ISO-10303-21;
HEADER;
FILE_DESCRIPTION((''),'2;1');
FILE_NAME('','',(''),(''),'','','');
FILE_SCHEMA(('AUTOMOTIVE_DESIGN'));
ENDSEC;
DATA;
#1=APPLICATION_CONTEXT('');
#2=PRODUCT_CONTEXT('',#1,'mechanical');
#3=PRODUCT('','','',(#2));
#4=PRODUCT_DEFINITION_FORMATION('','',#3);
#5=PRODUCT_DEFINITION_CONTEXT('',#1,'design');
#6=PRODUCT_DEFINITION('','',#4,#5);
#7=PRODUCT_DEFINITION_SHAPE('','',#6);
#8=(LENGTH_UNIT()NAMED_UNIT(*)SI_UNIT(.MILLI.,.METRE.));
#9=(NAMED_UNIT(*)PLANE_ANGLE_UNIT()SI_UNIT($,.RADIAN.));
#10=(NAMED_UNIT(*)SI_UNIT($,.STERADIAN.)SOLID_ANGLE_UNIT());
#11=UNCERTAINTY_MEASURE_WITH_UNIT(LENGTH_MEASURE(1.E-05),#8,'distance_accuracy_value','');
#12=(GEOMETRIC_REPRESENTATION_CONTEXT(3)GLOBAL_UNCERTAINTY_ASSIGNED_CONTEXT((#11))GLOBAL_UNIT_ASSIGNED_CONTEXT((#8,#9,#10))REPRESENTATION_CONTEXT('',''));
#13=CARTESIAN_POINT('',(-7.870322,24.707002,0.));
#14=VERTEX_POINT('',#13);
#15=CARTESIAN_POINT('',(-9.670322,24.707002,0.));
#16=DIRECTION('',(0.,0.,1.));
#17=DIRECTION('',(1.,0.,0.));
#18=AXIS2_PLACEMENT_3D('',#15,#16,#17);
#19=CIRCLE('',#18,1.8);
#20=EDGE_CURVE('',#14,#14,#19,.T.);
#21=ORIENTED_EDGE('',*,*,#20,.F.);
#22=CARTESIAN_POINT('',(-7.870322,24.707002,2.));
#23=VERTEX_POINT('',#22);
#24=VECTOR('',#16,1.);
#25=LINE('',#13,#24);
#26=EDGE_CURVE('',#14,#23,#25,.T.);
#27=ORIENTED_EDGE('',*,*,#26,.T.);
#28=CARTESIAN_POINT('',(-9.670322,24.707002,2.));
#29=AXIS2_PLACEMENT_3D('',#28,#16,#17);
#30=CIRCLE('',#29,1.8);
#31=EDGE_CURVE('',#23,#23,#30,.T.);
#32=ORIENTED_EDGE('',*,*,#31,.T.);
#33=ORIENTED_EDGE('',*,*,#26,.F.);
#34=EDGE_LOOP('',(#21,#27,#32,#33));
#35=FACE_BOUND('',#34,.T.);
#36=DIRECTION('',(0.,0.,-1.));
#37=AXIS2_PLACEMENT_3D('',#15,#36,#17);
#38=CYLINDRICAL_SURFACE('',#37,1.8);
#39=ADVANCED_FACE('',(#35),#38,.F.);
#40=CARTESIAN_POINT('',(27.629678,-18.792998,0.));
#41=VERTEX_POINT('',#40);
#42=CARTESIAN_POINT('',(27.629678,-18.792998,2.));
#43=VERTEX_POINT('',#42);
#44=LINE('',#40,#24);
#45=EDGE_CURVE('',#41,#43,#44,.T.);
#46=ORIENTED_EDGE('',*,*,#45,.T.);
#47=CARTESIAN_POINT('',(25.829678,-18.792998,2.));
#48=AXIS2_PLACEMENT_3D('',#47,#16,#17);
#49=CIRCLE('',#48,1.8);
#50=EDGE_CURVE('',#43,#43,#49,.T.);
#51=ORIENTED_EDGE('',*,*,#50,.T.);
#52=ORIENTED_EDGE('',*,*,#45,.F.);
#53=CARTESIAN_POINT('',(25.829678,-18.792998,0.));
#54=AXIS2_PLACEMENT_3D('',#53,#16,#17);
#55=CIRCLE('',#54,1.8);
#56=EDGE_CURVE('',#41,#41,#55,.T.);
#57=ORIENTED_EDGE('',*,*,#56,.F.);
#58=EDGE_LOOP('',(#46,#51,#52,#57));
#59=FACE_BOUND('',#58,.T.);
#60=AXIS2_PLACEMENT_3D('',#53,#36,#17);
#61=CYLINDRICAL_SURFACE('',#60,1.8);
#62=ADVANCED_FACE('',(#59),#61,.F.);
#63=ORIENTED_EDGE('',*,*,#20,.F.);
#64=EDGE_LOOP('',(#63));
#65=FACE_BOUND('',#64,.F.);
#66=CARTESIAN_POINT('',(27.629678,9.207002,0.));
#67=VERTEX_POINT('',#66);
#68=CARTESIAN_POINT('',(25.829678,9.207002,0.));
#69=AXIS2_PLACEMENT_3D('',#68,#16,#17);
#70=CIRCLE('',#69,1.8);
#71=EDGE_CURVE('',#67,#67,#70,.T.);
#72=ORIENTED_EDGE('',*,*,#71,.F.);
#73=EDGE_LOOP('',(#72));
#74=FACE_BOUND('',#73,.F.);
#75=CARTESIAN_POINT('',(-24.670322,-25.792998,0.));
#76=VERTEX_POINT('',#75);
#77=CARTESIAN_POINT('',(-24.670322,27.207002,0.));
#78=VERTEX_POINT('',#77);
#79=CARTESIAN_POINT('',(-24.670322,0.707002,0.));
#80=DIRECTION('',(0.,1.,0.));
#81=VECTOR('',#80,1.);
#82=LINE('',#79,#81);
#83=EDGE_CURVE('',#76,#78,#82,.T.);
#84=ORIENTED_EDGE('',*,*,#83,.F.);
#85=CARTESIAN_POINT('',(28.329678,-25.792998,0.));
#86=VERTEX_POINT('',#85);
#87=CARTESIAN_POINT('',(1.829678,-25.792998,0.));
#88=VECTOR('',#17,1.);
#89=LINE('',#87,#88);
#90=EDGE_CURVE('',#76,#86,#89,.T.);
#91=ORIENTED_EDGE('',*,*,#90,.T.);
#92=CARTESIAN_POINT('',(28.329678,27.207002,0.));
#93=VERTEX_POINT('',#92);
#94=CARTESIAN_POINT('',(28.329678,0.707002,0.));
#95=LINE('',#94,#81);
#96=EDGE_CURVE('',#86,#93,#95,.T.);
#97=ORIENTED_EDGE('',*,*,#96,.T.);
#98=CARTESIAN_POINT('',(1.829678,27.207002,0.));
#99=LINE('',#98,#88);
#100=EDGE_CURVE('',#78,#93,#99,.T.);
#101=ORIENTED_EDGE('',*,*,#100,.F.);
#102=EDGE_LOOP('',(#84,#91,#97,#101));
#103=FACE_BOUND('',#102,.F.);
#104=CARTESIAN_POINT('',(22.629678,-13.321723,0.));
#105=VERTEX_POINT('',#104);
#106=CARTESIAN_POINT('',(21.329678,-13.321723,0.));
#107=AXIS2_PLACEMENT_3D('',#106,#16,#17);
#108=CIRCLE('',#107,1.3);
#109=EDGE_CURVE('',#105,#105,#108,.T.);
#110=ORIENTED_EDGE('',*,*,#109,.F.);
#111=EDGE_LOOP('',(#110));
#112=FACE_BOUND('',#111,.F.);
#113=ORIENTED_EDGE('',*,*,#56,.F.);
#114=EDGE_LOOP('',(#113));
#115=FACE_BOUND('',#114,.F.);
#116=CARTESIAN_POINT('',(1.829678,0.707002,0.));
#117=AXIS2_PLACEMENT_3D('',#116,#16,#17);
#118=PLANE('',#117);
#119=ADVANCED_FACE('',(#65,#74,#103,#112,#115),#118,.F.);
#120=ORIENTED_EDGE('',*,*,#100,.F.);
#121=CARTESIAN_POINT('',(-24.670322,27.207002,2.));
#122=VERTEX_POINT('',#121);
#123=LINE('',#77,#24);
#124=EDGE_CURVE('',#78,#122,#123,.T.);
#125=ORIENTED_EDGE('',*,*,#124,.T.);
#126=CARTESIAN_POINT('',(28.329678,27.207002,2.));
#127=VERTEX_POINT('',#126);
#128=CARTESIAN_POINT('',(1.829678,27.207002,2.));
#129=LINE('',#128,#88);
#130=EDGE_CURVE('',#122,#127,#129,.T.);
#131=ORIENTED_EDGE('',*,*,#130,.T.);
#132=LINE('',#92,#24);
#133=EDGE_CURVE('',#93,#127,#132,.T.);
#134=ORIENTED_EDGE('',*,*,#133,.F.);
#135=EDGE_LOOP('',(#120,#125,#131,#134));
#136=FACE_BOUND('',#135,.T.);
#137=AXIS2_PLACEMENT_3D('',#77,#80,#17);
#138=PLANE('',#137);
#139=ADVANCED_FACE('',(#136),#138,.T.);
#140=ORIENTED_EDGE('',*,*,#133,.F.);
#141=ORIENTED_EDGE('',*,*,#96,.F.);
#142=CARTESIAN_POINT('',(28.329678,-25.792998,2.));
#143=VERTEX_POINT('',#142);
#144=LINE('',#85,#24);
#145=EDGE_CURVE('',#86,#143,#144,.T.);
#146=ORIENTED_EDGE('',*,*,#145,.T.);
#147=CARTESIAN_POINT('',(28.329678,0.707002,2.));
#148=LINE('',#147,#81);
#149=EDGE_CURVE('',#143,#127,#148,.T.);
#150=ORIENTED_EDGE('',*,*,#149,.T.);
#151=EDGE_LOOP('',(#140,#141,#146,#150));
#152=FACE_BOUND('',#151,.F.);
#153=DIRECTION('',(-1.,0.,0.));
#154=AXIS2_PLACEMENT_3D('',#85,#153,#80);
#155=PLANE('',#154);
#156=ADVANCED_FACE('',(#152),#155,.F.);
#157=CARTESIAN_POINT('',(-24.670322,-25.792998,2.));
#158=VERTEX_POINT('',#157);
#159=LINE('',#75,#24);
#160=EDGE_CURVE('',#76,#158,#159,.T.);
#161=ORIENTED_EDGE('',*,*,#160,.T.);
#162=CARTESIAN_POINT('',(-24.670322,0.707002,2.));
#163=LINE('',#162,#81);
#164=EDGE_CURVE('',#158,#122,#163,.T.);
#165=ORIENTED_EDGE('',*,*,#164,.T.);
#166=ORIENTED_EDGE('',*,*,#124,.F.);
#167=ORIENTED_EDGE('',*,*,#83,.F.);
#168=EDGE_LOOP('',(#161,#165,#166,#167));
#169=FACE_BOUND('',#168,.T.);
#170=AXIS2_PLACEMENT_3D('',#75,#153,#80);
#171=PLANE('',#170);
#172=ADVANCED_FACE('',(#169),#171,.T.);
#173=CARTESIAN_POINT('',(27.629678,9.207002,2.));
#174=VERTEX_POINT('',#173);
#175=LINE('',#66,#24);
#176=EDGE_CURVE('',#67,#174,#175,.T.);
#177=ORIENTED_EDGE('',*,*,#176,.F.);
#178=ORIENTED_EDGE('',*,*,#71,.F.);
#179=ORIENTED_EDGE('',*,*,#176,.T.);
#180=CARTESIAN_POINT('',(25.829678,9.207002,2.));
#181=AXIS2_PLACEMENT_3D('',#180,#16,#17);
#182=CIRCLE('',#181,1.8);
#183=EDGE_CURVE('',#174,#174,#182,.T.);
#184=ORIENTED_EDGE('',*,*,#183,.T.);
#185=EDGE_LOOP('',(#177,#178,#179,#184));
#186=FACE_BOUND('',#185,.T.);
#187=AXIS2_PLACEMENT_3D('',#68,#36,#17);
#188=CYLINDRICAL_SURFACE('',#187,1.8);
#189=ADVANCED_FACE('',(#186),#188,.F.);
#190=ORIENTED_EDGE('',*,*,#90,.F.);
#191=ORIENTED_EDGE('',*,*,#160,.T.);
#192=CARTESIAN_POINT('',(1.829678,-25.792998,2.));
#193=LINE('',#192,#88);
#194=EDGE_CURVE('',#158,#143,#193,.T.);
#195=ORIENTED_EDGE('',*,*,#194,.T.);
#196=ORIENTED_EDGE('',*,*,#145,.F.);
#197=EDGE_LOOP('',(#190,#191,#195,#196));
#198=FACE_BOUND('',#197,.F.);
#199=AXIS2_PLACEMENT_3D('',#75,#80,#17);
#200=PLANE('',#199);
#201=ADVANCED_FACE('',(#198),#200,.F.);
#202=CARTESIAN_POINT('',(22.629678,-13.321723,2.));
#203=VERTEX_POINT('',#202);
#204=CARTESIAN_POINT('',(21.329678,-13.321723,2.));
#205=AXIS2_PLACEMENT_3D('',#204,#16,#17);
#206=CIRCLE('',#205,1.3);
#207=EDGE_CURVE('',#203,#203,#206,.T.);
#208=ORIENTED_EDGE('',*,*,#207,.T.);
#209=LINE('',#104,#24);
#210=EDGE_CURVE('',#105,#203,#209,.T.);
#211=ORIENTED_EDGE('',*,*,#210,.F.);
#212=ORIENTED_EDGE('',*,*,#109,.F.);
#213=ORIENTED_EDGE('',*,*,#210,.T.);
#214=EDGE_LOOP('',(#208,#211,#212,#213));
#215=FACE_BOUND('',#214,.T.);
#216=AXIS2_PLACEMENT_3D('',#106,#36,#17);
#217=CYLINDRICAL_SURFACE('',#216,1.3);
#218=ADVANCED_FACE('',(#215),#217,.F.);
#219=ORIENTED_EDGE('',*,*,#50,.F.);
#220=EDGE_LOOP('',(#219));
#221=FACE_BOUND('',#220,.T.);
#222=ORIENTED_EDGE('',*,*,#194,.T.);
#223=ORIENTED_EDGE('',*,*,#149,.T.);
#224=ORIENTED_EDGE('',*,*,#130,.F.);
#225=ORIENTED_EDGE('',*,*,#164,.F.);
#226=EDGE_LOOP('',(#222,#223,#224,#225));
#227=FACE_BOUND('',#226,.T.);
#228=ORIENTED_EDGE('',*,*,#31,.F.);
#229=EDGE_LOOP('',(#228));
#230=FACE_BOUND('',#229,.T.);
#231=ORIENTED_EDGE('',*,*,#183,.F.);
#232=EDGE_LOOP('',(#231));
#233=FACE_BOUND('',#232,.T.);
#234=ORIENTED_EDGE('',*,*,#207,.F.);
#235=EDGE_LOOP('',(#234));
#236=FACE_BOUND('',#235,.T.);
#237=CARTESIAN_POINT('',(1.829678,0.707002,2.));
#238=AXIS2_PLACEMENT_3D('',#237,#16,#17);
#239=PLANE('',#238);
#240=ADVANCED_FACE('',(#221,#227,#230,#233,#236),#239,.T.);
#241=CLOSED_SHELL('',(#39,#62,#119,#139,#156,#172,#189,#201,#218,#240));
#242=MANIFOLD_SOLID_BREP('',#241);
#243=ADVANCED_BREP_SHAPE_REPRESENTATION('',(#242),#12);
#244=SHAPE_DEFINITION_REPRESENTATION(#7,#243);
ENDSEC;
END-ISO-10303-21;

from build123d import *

# Parameters (mm, degrees)
SKETCH_W   = 53
SKETCH_H   = 53
SKETCH_R   = 1.8
SKETCH_R_2 = 1.3
PAD_DEPTH  = 2


with BuildPart() as part:
    # Sketch → Pad (new body)
    with BuildSketch(Plane.XY):
        with Locations((1.829678, 0.707002)):
            Rectangle(SKETCH_W, SKETCH_H)
        with Locations((25.829678, 9.207002)):
            Circle(SKETCH_R, mode=Mode.SUBTRACT)
        with Locations((25.829678, -18.792998)):
            Circle(SKETCH_R, mode=Mode.SUBTRACT)
        with Locations((-9.670322, 24.707002)):
            Circle(SKETCH_R, mode=Mode.SUBTRACT)
        with Locations((21.329678, -13.321723)):
            Circle(SKETCH_R_2, mode=Mode.SUBTRACT)
    extrude(amount=PAD_DEPTH)


solid = part.part
